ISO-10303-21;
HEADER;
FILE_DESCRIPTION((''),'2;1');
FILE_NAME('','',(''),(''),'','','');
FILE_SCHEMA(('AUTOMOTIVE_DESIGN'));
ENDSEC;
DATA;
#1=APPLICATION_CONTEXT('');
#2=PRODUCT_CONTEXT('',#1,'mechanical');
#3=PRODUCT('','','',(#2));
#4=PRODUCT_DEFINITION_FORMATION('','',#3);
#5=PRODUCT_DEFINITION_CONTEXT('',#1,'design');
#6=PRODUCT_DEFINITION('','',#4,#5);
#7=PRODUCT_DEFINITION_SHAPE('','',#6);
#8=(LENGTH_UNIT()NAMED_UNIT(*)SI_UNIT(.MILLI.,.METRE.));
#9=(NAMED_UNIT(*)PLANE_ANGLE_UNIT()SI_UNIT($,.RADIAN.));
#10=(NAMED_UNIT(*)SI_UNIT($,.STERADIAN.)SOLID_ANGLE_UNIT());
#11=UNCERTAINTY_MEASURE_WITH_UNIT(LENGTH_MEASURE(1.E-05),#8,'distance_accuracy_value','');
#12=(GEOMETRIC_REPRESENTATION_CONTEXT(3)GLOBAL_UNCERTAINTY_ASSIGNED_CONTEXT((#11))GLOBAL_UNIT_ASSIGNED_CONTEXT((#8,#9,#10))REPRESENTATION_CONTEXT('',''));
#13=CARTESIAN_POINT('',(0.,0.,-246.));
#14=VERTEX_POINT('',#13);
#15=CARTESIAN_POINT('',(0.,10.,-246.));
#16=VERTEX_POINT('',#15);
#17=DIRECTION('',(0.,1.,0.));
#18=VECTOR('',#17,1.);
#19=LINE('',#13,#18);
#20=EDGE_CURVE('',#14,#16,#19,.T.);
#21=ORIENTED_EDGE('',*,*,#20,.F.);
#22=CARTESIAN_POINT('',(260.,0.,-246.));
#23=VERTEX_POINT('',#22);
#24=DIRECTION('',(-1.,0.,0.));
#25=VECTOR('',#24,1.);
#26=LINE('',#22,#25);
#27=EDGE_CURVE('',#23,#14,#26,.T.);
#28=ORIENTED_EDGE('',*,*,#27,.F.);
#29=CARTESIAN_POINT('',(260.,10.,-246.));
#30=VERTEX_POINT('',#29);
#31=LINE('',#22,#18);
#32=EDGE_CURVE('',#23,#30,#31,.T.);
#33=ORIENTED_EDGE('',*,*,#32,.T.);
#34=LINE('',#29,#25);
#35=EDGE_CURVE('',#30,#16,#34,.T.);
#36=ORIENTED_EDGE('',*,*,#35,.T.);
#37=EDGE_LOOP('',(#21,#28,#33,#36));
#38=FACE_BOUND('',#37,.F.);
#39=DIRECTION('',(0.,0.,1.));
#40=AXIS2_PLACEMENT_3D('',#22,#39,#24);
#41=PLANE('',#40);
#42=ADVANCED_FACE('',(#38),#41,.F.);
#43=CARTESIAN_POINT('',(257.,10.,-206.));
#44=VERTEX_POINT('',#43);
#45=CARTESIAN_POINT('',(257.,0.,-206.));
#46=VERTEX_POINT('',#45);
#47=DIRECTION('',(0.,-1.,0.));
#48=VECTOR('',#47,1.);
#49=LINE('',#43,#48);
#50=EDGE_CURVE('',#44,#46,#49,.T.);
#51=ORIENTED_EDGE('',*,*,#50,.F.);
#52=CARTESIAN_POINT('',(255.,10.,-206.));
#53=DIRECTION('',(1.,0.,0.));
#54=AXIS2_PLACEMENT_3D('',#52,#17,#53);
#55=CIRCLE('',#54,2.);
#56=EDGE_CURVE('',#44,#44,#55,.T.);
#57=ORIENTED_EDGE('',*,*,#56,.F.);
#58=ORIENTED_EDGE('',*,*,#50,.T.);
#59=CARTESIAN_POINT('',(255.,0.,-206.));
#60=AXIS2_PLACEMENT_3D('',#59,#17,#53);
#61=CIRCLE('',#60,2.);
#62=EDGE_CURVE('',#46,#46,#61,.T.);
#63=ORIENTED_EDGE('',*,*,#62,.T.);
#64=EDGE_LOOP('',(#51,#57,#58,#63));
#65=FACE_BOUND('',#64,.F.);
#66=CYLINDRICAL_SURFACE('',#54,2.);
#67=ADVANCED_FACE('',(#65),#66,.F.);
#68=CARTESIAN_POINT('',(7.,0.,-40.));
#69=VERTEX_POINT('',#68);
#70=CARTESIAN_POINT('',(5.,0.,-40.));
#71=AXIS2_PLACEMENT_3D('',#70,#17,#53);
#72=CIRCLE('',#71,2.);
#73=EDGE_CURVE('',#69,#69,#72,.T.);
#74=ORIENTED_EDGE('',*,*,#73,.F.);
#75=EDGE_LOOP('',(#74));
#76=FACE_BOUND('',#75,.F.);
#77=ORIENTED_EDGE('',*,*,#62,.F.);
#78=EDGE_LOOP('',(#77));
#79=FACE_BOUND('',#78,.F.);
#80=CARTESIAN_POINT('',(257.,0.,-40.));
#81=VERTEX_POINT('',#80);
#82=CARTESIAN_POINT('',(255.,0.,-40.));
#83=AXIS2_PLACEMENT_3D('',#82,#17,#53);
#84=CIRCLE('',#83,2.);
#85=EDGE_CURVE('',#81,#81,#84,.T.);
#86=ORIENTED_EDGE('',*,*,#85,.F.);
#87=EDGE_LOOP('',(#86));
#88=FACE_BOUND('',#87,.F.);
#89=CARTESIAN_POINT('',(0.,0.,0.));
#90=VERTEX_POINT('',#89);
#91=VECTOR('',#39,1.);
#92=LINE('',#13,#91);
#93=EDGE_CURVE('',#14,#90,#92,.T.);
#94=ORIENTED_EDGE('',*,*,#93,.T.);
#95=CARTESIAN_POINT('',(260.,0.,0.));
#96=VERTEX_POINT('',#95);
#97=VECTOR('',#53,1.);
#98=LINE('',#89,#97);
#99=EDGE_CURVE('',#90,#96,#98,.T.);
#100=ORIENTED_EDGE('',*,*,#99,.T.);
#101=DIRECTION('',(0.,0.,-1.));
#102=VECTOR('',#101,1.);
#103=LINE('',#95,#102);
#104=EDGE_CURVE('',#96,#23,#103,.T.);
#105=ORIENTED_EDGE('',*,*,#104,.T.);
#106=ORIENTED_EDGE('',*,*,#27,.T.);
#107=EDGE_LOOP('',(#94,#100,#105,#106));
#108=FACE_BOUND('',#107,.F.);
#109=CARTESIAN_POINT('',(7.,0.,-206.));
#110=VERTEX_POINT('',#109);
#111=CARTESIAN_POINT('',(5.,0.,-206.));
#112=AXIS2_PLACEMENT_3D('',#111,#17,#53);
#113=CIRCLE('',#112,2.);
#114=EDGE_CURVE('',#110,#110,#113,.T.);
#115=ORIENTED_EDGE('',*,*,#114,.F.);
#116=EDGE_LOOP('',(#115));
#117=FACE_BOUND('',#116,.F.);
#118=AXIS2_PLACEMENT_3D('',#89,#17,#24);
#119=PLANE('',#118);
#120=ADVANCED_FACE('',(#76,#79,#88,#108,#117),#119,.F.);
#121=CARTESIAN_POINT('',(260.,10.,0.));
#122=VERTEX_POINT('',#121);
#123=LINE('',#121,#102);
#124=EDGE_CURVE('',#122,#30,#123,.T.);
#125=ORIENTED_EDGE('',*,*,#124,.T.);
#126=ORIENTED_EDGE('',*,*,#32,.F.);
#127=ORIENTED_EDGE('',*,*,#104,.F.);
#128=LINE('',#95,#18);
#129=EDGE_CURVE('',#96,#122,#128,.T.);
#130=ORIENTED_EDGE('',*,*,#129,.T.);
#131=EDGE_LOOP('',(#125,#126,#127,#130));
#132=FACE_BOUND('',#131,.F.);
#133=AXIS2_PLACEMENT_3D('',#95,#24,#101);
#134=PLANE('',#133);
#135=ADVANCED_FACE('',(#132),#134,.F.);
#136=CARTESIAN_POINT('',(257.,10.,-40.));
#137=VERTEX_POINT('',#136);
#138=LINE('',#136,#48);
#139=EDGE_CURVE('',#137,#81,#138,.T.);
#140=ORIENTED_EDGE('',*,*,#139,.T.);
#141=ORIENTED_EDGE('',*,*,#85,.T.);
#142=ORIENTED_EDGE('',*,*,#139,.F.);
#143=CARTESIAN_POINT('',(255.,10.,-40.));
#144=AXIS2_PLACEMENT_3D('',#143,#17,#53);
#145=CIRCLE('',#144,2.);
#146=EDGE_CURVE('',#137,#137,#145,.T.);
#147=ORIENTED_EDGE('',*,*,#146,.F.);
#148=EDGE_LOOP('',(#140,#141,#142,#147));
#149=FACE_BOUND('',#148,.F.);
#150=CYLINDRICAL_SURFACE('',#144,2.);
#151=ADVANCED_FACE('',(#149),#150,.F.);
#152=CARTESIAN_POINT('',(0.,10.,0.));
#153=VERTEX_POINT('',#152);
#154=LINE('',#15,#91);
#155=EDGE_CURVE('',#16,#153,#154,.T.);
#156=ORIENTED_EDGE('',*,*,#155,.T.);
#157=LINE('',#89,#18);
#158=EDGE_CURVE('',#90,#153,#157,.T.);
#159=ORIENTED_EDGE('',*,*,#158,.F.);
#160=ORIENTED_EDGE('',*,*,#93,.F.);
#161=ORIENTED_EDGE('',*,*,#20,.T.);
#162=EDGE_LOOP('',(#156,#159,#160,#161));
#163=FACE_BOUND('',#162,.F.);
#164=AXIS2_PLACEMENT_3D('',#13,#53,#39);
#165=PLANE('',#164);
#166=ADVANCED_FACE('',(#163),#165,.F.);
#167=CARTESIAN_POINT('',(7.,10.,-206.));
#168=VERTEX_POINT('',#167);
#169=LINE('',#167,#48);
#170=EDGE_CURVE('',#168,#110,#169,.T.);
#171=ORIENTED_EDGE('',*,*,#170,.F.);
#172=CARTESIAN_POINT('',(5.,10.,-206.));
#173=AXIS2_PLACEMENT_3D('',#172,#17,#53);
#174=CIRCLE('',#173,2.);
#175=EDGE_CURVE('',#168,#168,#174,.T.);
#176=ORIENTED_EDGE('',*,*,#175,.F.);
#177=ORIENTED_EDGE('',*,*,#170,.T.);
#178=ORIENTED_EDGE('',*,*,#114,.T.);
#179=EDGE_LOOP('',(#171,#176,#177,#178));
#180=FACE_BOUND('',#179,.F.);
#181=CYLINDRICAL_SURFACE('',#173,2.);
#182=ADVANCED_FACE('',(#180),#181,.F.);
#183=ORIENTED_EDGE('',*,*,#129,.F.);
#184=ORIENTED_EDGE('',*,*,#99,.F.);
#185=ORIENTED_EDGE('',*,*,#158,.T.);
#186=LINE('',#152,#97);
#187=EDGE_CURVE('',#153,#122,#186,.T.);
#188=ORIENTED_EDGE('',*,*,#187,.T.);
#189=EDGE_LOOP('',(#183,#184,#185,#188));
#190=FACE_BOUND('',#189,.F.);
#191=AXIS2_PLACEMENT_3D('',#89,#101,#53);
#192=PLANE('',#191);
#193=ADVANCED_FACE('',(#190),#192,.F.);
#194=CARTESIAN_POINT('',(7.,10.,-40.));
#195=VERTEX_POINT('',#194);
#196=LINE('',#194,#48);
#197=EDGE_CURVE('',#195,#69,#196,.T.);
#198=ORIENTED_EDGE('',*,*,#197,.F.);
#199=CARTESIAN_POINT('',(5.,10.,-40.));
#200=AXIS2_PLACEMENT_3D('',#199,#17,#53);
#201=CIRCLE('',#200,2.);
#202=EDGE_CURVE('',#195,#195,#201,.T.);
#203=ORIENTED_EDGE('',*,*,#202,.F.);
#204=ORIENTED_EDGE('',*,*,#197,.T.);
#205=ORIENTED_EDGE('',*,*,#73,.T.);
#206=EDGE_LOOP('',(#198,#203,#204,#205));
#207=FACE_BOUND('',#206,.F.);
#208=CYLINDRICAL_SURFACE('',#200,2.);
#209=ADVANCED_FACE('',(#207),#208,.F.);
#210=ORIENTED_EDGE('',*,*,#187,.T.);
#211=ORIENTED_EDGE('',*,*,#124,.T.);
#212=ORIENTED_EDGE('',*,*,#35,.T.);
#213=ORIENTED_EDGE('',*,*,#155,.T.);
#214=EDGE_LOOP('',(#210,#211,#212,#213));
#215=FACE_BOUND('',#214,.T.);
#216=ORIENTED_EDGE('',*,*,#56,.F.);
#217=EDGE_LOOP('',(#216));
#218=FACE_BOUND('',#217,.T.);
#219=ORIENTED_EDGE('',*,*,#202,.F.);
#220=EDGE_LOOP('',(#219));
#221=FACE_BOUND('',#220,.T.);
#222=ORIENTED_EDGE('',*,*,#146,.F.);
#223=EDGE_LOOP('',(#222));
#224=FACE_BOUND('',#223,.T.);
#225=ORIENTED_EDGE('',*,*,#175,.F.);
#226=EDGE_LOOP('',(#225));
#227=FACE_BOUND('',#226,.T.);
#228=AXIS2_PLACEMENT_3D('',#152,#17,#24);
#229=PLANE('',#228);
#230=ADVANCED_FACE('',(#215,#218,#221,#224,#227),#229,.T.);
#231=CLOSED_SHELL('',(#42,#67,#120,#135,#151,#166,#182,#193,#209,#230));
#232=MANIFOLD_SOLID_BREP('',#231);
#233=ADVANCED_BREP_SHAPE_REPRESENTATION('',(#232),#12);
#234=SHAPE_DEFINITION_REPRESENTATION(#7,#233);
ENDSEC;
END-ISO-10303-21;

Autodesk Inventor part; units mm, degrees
ref_plane "YZ Plane" through (0, 0, 0) normal (1, 0, 0) x (0, 1, 0)
ref_plane "XZ Plane" through (0, 0, 0) normal (0, 1, 0) x (-1, 0, 0)
ref_plane "XY Plane" through (0, 0, 0) normal (0, 0, 1) x (1, 0, 0)
sketch "Sketch1" plane through (0, 0, 0) normal (0, 1, 0) x (-1, 0, 0)
  line L0 (0, 0) -> (-260, 0)
  line L1 (-260, 0) -> (-260, -246)
  line L2 (-260, -246) -> (0, -246)
  line L3 (0, -246) -> (0, 0)
  dimension "d0" = 260
  dimension "d1" = 246
extrude "Extrusion1" add sketch "Sketch1" along normal blind 10
sketch "Sketch2" plane through (0, 10, 0) normal (0, 1, 0) x (1, 0, 0)
  circle A0 centre (5, 206) radius 2
  line L0 (0, 246) -> (0, 0) projected
  line L1 (260, 246) -> (0, 246) projected
  circle A1 centre (255, 206) radius 2
  circle A2 centre (5, 40) radius 2
  circle A3 centre (255, 40) radius 2
  dimension "d4" = 4
  dimension "d5" = 5
  dimension "d6" = 40
  dimension "d9" = 250
  dimension "d12" = 166
extrude "Extrusion2" cut sketch "Sketch2" against normal through all
equation "\"d4\" = screws"
equation "\"screws\" = 4"
properties part number "box_top"
